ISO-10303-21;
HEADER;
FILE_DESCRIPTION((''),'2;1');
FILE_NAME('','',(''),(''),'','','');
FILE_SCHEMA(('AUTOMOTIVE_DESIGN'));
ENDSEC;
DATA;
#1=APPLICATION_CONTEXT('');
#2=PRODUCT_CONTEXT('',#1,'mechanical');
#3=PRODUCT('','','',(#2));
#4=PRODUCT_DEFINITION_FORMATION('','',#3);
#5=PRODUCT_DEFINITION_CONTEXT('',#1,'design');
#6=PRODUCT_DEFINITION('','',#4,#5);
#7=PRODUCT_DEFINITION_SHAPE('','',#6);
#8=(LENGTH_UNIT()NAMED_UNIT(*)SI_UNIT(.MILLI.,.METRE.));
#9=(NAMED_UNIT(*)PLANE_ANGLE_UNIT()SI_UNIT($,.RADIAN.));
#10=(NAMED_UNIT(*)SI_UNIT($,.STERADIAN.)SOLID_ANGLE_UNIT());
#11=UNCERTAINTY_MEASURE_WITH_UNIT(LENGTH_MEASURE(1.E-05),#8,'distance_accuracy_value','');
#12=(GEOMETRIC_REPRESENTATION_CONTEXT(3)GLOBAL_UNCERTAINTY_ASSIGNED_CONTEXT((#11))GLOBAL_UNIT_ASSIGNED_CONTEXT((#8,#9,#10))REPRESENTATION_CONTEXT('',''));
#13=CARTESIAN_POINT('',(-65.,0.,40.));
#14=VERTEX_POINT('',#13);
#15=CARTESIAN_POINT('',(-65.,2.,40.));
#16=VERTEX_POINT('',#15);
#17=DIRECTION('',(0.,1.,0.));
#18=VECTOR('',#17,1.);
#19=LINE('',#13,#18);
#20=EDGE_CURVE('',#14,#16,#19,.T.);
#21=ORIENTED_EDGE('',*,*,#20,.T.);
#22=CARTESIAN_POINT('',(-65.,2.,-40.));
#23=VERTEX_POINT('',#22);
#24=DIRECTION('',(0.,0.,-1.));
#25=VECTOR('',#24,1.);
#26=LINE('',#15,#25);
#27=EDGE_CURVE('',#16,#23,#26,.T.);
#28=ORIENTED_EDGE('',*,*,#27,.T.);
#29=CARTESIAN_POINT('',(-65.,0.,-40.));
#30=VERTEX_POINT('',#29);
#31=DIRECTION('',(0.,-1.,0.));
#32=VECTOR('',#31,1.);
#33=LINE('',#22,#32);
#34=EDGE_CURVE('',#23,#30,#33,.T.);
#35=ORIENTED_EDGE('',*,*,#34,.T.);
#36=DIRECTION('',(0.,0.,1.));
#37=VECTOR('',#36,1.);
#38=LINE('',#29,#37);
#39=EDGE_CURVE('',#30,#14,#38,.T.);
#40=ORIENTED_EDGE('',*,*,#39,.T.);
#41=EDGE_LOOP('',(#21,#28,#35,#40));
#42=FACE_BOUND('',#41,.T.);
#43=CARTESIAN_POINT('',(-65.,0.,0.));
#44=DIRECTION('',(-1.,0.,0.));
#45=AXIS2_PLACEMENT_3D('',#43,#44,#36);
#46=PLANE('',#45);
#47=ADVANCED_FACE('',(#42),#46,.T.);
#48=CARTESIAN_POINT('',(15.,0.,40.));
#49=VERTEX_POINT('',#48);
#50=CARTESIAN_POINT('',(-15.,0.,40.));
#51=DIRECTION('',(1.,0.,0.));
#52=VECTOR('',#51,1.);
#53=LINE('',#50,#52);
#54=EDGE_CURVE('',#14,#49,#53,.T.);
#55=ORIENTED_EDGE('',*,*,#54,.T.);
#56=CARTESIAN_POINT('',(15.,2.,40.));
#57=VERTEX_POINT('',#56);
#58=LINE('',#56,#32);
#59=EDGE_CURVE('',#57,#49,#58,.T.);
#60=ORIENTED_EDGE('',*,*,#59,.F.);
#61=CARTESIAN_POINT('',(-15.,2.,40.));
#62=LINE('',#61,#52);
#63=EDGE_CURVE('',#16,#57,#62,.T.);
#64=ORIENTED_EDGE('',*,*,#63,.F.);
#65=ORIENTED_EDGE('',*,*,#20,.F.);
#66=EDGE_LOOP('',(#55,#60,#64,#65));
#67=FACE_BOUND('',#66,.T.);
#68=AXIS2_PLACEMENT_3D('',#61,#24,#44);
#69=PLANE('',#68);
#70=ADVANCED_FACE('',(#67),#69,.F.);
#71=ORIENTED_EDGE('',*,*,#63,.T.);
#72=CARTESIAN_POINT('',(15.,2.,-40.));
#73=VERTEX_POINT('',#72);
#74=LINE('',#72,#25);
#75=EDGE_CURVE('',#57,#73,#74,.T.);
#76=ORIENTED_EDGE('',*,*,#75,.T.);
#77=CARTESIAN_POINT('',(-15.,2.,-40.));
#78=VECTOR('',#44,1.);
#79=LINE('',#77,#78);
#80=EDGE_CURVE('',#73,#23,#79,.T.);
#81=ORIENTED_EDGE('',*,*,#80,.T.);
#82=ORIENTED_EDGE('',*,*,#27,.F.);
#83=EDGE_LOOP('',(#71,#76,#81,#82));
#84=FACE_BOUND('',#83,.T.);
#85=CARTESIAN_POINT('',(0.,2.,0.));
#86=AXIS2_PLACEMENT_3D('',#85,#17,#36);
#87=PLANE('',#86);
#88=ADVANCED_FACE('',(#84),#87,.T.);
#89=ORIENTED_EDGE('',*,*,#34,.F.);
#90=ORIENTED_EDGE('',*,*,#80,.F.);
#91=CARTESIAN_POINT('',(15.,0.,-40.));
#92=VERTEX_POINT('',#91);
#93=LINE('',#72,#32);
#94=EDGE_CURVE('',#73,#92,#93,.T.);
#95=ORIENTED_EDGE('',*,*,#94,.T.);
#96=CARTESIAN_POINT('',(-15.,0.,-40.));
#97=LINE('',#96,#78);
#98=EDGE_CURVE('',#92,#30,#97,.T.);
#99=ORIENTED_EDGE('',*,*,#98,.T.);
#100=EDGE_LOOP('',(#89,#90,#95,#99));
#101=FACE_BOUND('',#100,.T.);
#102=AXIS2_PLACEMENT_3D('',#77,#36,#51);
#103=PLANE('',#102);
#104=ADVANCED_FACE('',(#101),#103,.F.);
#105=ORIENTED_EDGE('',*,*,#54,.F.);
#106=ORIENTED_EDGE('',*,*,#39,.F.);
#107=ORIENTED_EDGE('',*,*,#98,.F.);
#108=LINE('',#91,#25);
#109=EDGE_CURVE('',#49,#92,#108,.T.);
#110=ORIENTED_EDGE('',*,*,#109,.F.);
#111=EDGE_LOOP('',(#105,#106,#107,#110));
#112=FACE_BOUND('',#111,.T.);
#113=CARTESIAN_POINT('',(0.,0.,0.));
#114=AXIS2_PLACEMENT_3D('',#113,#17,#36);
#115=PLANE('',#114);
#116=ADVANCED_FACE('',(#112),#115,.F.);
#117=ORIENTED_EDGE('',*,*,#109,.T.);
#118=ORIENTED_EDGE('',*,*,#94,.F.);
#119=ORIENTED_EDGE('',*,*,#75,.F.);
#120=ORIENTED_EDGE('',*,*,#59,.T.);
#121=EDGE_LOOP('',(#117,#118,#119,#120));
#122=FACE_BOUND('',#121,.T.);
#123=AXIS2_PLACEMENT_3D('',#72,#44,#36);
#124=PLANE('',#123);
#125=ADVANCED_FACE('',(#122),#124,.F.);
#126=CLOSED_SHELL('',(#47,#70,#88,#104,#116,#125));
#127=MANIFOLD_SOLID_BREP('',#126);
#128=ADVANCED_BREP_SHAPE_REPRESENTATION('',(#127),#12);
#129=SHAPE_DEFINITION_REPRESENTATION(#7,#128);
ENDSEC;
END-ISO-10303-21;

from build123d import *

# Parameters (mm, degrees)
CROQUIS1_W              = 30
CROQUIS1_H              = 80
SALIENTE_EXTRUIR1_DEPTH = 2
CROQUIS2_W              = 80
CROQUIS2_H              = 2
SALIENTE_EXTRUIR2_DEPTH = 50


with BuildPart() as part:
    # Croquis1 → Saliente-Extruir1 (new body)
    with BuildSketch(Plane(origin=(0, 0, 0), x_dir=(1, 0, 0), z_dir=(0, 1, 0))):
        Rectangle(CROQUIS1_W, CROQUIS1_H)
    extrude(amount=SALIENTE_EXTRUIR1_DEPTH)

    # Croquis2 → Saliente-Extruir2 (add)
    with BuildSketch(Plane.ZY.offset(15)):
        with Locations((0, 1)):
            Rectangle(CROQUIS2_W, CROQUIS2_H)
    extrude(amount=SALIENTE_EXTRUIR2_DEPTH)


solid = part.part
